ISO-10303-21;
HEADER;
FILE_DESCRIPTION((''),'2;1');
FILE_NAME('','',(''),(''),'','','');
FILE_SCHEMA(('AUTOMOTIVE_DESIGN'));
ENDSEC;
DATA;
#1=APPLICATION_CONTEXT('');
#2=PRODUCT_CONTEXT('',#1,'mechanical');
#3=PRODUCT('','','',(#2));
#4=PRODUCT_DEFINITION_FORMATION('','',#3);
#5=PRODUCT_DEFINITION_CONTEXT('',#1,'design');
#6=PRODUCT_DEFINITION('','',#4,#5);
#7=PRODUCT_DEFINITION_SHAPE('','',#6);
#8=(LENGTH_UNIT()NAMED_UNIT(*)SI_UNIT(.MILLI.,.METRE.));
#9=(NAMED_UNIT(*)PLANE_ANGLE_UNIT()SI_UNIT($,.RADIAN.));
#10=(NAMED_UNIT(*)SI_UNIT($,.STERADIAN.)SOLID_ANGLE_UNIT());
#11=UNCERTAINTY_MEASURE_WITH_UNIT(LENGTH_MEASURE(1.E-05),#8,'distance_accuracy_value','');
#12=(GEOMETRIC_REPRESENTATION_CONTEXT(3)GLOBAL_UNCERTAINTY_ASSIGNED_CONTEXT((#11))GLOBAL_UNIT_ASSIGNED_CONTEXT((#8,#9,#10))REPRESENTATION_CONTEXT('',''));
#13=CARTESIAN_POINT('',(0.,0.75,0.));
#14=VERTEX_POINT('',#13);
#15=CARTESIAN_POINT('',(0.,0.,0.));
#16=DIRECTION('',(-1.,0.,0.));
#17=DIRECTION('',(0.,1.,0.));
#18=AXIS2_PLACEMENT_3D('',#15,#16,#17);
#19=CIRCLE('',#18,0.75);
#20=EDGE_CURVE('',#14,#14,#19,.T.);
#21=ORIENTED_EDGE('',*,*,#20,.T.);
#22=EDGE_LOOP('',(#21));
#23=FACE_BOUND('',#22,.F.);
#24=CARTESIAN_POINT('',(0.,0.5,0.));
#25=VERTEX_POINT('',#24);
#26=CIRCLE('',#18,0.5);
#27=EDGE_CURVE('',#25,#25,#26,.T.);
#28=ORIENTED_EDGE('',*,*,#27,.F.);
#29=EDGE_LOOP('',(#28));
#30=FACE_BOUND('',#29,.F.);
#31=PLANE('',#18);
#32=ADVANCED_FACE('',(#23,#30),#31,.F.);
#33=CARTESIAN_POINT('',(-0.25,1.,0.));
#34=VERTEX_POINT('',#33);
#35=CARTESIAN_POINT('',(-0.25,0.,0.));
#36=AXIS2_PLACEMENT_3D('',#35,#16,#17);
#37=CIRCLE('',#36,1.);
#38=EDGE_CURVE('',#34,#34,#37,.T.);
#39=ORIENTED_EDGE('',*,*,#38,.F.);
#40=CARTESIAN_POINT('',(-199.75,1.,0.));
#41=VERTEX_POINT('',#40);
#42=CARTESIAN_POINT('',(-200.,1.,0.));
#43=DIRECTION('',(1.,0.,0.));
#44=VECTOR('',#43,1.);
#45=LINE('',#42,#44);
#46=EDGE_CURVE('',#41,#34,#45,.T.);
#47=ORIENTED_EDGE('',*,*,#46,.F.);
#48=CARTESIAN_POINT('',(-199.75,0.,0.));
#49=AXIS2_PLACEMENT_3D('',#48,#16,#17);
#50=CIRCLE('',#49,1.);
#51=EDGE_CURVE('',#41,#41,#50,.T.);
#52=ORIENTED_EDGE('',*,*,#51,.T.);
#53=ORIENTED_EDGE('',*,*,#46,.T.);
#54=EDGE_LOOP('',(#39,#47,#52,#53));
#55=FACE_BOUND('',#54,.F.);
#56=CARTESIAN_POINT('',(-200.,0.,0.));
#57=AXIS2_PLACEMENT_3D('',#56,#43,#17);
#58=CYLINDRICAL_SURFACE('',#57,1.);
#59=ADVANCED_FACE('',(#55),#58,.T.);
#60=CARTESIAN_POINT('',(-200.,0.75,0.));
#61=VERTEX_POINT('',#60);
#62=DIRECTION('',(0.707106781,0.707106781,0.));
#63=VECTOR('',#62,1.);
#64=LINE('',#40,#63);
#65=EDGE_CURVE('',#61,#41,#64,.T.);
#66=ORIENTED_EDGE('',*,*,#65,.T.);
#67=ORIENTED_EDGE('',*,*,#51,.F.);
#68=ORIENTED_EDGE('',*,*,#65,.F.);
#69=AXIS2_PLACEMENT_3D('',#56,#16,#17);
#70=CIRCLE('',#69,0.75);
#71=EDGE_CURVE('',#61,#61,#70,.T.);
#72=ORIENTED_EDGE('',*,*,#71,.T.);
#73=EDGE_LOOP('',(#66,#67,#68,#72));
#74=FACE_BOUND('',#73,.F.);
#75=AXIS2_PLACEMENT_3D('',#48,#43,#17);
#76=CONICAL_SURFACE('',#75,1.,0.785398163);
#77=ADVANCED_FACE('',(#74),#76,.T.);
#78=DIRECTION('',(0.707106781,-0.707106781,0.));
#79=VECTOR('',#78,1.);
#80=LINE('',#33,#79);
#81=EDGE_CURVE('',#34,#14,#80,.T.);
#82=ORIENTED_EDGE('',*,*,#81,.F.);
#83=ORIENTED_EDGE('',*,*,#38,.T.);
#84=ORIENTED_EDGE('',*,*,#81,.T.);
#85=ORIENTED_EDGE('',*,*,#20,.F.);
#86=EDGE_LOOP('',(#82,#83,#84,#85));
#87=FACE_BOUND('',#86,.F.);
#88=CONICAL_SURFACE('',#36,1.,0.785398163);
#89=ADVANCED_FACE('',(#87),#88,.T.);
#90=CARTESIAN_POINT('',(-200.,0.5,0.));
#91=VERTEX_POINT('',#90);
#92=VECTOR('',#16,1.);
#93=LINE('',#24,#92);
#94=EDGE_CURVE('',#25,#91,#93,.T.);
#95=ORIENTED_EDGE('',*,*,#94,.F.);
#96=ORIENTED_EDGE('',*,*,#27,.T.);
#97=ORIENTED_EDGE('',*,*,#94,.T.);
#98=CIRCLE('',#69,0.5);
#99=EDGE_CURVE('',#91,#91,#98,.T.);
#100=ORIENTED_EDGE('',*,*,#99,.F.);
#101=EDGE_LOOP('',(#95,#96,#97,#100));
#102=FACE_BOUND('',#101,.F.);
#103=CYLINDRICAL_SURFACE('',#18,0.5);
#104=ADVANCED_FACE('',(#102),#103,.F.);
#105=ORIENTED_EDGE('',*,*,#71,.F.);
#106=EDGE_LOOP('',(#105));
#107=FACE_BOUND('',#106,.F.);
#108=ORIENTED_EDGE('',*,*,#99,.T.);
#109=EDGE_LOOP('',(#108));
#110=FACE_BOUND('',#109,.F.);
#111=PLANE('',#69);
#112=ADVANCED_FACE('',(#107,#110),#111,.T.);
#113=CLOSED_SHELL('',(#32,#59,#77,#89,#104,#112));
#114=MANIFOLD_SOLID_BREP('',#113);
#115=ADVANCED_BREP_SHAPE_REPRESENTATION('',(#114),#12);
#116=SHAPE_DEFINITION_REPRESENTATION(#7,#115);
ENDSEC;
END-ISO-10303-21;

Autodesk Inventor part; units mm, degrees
ref_plane "YZ Plane" through (0, 0, 0) normal (1, 0, 0) x (0, 1, 0)
ref_plane "XZ Plane" through (0, 0, 0) normal (0, 1, 0) x (-1, 0, 0)
ref_plane "XY Plane" through (0, 0, 0) normal (0, 0, 1) x (1, 0, 0)
sketch "Sketch1" plane through (0, 0, 0) normal (0, 0, 1) x (1, 0, 0)
  line L0 (0, 0.5) -> (-200, 0.5)
  line L1 (-200, 0.5) -> (-200, 1)
  line L2 (-200, 1) -> (0, 1)
  line L3 (0, 1) -> (0, 0.5)
  line L4 (0, 0.5) -> (0, 0) construction
  line L5 (0, 0) -> (-200, 0) construction
  line L6 (-200, 0) -> (-200, 0.5) construction
  dimension "d0" = 0.5
  dimension "d1" = 1
  dimension "d2" = 200
revolve "Revolution1" add sketch "Sketch1" angle 360 about axis through (0, 0, 0) along (-1, 0, 0)
chamfer "Chamfer1" distance 0.25 angle 45 2 edges at (0, -1, 0) (-200, -1, 0)
properties part number "CF Tube 4x2x200"
